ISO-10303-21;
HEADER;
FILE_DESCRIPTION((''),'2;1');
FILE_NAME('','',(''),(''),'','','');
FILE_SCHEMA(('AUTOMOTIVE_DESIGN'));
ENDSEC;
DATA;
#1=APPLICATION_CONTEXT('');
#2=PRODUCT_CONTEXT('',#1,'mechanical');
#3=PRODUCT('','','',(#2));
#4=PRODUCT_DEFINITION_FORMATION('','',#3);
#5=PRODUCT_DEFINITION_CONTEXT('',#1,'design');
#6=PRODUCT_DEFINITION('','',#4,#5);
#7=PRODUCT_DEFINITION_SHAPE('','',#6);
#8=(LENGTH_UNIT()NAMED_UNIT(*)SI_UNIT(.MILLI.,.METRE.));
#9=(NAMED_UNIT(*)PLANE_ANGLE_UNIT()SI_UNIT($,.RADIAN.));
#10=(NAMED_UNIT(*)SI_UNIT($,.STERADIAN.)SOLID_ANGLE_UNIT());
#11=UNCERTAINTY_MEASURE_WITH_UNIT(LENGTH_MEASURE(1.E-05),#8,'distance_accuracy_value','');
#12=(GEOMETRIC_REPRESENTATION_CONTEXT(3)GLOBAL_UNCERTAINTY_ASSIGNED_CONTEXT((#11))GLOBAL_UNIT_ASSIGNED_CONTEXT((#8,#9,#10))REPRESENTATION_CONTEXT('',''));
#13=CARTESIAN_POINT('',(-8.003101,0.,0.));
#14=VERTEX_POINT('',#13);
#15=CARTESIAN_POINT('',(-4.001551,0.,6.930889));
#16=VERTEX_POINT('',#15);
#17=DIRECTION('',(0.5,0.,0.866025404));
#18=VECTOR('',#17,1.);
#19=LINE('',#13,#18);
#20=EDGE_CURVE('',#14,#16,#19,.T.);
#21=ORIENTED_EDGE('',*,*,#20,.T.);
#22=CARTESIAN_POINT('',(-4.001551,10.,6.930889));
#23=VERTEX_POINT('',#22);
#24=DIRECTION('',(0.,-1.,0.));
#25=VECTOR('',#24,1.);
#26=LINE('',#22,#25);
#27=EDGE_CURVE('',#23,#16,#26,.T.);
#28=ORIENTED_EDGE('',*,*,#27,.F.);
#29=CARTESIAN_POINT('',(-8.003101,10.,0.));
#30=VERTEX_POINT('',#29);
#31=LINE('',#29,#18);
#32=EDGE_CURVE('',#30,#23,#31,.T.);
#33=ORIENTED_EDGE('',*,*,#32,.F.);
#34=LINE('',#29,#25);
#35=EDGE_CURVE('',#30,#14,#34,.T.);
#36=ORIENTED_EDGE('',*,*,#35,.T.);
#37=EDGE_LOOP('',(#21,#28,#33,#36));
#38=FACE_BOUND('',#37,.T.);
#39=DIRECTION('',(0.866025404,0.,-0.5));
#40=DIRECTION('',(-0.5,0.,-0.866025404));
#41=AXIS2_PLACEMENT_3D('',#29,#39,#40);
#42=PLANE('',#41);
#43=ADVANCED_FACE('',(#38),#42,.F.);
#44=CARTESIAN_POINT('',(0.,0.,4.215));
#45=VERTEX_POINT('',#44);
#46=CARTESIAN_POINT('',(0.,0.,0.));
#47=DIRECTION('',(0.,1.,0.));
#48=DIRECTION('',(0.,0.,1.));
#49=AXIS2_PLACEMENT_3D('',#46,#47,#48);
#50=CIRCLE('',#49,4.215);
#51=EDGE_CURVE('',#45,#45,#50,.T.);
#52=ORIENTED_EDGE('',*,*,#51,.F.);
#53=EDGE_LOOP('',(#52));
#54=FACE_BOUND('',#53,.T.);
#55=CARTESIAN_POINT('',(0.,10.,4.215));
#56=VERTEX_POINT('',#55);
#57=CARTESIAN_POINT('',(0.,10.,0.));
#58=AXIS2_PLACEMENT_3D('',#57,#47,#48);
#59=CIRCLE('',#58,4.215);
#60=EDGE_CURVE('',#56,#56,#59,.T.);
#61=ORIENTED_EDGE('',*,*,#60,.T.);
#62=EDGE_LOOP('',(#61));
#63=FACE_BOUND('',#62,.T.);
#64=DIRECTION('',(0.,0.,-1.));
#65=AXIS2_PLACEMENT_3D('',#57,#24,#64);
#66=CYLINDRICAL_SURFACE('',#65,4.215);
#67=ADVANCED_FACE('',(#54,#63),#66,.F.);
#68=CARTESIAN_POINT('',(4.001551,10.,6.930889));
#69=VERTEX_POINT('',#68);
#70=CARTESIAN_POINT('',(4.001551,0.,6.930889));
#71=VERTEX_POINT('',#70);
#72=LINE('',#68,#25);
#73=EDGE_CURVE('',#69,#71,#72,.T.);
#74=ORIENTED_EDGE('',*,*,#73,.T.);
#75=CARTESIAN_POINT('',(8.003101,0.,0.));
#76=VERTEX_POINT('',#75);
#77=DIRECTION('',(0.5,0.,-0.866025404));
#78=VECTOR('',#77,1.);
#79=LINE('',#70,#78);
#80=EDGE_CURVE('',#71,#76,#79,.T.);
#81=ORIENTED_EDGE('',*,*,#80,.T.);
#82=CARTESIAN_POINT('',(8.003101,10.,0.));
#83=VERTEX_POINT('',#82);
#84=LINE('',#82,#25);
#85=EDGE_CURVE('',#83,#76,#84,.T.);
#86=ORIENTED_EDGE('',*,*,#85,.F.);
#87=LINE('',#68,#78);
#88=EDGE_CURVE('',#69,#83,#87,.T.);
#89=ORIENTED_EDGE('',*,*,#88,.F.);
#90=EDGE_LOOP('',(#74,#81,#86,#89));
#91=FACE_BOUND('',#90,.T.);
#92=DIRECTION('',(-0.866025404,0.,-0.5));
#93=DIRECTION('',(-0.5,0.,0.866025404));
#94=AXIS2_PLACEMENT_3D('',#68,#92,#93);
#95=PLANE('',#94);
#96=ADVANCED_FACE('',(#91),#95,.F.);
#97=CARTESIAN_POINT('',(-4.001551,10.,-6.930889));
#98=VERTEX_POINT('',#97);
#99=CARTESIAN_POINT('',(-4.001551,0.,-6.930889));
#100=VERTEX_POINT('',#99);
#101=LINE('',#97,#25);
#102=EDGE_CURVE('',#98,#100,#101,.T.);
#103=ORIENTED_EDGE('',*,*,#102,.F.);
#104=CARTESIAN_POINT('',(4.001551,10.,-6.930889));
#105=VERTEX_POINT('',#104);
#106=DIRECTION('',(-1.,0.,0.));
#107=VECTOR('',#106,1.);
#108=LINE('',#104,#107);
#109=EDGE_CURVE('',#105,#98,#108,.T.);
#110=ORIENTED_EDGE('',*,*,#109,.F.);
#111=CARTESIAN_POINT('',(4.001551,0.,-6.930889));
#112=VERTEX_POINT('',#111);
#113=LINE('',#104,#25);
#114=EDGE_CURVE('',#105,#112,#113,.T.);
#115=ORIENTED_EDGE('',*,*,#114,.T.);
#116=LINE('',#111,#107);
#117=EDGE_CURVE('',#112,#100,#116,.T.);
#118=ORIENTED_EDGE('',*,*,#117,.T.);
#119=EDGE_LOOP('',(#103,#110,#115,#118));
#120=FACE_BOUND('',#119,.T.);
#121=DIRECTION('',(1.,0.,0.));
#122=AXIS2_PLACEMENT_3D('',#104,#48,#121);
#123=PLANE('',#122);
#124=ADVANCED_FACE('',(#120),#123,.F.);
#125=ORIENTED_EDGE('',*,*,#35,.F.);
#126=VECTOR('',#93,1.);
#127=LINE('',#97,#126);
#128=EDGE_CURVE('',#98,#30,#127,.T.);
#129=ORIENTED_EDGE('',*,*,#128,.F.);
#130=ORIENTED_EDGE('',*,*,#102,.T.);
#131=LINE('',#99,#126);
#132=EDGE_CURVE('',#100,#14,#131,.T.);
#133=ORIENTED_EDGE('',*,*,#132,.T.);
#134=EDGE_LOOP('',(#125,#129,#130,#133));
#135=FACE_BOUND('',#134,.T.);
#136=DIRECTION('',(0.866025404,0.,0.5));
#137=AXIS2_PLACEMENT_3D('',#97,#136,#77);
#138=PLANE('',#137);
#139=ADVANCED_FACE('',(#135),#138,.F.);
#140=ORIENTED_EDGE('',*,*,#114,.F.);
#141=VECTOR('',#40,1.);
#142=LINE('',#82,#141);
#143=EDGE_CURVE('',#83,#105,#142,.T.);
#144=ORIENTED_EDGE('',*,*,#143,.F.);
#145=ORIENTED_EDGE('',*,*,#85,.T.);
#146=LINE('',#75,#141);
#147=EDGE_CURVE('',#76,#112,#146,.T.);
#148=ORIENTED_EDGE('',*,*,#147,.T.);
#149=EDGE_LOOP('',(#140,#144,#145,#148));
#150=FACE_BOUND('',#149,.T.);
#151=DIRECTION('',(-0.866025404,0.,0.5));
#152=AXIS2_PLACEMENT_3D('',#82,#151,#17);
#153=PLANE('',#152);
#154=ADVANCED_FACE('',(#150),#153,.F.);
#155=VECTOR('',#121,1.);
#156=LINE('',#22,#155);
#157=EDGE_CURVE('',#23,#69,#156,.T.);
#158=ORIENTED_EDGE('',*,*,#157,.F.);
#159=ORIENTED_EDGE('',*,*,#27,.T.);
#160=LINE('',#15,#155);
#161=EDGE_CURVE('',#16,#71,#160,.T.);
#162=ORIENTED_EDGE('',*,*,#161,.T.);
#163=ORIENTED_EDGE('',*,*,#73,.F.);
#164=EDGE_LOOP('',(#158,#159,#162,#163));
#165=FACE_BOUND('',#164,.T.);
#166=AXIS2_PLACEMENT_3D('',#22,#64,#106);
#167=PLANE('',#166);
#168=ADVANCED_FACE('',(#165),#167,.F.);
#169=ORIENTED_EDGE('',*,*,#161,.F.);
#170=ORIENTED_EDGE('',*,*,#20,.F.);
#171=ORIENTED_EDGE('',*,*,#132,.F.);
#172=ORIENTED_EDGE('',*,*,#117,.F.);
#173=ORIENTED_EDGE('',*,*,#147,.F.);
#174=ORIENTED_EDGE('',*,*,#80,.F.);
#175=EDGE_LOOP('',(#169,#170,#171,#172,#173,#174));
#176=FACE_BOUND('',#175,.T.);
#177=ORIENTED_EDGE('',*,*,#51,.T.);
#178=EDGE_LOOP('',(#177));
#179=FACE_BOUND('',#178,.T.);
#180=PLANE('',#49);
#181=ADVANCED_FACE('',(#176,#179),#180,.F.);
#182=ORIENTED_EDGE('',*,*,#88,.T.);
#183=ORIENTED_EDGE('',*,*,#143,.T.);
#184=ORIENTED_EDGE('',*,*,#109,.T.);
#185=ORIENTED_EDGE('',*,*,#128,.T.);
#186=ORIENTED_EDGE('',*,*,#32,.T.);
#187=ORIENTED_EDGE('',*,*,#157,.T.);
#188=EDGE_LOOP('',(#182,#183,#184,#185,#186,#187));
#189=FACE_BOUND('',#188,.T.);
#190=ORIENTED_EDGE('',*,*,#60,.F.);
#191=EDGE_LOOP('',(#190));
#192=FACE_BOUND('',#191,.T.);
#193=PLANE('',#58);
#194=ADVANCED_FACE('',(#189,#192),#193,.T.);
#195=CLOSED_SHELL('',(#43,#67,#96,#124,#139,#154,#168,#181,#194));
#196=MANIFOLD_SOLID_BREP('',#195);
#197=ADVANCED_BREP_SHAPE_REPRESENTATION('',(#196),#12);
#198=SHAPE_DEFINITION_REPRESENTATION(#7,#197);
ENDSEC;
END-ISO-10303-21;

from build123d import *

# Parameters (mm, degrees)
SZKIC1_R                    = 4.215
DODANIE_WYCI_GNI_CIE1_DEPTH = 10


with BuildPart() as part:
    # Szkic1 → Dodanie-wyciągnięcie1 (new body)
    with BuildSketch(Plane(origin=(0, 0, 0), x_dir=(1, 0, 0), z_dir=(0, 1, 0))):
        Polygon((8.003101394, 0), (4.001550697, 6.930889116), (-4.001550697, 6.930889116), (-8.003101394, 0), (-4.001550697, -6.930889116), (4.001550697, -6.930889116), align=None)
        with Locations(Location((0, 0, 0), (0, 0, 270))):
            Circle(SZKIC1_R, mode=Mode.SUBTRACT)
    extrude(amount=DODANIE_WYCI_GNI_CIE1_DEPTH)


solid = part.part
